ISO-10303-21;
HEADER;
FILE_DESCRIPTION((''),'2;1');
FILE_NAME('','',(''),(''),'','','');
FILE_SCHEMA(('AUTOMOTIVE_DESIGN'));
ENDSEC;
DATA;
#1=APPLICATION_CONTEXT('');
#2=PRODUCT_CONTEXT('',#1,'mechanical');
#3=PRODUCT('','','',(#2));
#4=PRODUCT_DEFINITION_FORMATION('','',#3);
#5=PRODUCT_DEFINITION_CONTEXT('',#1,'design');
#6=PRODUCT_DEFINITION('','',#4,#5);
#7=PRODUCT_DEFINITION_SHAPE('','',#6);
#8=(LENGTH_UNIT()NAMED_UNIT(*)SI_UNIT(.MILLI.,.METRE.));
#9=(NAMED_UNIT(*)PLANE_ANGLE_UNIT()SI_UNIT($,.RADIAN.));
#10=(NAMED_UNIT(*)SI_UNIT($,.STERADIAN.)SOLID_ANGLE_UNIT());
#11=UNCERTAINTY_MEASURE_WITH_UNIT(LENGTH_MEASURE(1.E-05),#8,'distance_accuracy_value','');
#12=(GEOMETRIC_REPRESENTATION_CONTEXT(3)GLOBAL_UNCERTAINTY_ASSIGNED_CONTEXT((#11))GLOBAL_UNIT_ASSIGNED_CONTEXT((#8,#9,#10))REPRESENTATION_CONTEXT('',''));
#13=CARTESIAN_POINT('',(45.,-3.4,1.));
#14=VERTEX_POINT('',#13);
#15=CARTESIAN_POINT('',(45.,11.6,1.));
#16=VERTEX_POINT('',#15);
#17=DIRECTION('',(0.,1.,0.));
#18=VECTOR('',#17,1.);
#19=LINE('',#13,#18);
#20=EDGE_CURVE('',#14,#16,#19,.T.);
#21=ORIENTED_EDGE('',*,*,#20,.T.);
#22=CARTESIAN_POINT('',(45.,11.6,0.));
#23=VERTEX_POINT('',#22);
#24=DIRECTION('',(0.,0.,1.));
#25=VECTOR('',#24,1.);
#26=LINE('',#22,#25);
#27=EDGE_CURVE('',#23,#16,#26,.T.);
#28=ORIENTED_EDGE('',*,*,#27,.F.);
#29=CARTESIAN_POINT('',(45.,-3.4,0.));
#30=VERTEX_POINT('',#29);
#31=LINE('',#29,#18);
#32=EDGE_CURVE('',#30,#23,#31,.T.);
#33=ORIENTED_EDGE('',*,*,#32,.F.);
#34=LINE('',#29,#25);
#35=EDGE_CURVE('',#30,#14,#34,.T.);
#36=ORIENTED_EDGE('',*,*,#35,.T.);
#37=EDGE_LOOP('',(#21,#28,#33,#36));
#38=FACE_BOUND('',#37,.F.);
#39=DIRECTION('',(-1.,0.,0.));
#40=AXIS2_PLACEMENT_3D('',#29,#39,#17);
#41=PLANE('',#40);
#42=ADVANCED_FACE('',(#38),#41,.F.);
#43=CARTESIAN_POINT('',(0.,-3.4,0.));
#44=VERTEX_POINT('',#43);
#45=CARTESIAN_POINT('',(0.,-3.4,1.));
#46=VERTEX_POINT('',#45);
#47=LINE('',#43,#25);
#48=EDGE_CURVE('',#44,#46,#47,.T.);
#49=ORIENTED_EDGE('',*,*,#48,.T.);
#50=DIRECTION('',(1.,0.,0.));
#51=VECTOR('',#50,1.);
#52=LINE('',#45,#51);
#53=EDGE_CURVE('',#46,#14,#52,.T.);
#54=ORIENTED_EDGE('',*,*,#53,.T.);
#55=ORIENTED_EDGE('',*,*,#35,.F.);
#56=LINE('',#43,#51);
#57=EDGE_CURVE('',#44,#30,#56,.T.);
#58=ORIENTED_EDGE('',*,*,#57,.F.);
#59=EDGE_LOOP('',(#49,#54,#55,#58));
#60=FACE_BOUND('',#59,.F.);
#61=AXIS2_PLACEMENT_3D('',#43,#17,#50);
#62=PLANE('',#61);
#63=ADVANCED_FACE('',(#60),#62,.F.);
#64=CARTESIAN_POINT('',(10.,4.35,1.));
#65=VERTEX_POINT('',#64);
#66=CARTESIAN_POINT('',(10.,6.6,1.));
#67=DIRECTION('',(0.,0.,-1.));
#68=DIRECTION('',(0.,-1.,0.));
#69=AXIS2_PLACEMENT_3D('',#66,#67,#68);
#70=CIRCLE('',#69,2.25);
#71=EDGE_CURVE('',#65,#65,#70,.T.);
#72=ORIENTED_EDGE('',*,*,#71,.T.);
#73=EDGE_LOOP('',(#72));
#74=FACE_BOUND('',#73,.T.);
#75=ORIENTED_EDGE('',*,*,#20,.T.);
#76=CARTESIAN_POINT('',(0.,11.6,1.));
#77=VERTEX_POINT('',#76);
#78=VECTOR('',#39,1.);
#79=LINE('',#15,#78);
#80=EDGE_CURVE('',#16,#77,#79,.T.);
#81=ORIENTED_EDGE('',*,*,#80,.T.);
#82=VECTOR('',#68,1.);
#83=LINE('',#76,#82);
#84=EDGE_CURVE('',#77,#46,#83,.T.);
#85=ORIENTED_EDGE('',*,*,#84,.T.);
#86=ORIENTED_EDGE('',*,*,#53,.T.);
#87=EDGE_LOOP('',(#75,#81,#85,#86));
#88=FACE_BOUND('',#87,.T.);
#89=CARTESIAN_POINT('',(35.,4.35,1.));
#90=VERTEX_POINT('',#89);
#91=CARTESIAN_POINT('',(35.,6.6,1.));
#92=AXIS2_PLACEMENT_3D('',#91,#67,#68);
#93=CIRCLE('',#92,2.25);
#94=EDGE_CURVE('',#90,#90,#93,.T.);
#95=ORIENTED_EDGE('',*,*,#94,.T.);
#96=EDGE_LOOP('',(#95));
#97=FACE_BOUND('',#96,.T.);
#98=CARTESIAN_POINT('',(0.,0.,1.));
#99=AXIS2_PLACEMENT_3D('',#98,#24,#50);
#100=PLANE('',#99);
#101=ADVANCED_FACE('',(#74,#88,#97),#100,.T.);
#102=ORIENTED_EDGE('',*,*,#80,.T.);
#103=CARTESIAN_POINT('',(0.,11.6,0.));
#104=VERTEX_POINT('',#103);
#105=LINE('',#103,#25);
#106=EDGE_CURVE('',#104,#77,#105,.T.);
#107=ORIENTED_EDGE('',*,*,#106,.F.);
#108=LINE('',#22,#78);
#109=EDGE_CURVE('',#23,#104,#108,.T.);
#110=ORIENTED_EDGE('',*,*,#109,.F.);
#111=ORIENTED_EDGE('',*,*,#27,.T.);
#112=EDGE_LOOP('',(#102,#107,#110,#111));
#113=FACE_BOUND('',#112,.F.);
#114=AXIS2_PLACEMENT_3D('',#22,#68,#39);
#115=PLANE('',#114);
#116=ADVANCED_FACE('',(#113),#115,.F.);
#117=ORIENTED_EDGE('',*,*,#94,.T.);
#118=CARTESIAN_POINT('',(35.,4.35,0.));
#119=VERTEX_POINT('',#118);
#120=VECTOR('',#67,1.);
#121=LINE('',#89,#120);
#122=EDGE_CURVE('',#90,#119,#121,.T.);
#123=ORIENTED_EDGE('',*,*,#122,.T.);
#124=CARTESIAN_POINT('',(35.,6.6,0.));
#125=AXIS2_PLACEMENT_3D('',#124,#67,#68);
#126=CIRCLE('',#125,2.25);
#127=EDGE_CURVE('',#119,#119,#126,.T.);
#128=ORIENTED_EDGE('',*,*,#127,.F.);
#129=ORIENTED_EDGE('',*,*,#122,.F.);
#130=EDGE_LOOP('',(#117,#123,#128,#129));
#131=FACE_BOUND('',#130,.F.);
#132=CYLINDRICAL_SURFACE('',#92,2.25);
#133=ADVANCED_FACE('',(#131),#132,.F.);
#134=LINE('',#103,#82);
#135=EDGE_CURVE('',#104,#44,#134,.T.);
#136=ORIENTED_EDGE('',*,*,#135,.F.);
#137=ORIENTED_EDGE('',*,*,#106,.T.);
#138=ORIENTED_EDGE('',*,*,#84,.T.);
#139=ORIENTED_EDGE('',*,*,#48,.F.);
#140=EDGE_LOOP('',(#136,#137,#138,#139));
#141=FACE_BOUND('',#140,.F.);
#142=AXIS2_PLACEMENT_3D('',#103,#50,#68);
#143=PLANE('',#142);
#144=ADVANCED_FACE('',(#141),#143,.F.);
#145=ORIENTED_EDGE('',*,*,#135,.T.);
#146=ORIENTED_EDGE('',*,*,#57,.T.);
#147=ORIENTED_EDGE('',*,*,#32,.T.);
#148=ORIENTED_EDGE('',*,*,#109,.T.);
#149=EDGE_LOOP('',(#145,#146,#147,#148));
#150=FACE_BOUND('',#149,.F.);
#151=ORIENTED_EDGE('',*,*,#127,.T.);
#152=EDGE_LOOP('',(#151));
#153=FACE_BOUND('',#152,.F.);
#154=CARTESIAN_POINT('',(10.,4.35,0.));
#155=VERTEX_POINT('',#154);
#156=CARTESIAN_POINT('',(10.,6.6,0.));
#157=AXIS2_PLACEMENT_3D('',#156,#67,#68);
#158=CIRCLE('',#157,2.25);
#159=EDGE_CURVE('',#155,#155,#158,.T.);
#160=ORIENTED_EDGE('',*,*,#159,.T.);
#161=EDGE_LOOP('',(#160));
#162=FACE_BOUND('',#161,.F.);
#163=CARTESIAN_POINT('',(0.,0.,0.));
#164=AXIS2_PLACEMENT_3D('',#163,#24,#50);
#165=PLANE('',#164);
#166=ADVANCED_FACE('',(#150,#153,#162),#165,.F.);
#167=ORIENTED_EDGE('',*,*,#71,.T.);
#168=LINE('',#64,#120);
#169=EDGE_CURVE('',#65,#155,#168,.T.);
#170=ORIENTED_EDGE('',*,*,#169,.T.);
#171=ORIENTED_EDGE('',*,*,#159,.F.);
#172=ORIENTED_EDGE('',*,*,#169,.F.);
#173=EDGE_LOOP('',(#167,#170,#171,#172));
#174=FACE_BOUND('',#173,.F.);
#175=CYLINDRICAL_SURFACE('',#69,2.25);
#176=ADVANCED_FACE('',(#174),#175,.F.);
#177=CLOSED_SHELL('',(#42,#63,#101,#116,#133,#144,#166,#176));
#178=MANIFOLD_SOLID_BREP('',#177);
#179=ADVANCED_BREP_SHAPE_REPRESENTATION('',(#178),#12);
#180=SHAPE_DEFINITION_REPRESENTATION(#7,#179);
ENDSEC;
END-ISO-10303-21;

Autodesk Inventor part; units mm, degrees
ref_plane "YZ Plane" through (0, 0, 0) normal (1, 0, 0) x (0, 1, 0)
ref_plane "XZ Plane" through (0, 0, 0) normal (0, 1, 0) x (-1, 0, 0)
ref_plane "XY Plane" through (0, 0, 0) normal (0, 0, 1) x (1, 0, 0)
sketch "Sketch1" plane through (0, 0, 0) normal (0, 0, 1) x (1, 0, 0)
  line L0 (0, -3.4) -> (45, -3.4)
  line L1 (45, -3.4) -> (45, 11.6)
  line L2 (45, 11.6) -> (0, 11.6)
  line L3 (0, 11.6) -> (0, -3.4)
  point P0 (0, 0)
  dimension "d1" = 3.4
  dimension "d2" = 45
  dimension "d3" = 45
  dimension "d4" = 15
extrude "Plate1" add sketch "Sketch1" along normal blind 1
sketch "Sketch2" plane through (0, 0, 1) normal (0, 0, 1) x (1, 0, 0)
  line L0 (45, -3.4) -> (0, -3.4) projected
  line L1 (45, 11.6) -> (45, -3.4) projected
  line L2 (0, -3.4) -> (0, 11.6) projected
  point P0 (0, 0)
  point P1 (35, 6.6)
  point P2 (10, 6.6)
  dimension "d5" = 10
  dimension "d6" = 10
  dimension "d7" = 10
hole "Hole1" at (35, 6.6, 1) at (10, 6.6, 1) direction (0, 0, -1) diameter 4.5 end through all
equation "\"d13\" = Thickness"
equation "\"d0\" = Thickness"
equation "\"BendRadius\" = Thickness"
equation "\"BendReliefWidth\" = Thickness"
equation "\"BendReliefDepth\" = 0.5 * Thickness"
equation "\"CornerReliefSize\" = 4 * Thickness"
equation "\"MinimumRemnant\" = 2 * Thickness"
equation "\"TransitionRadius\" = BendRadius"
equation "\"JacobiRadiusSize\" = BendRadius"
equation "\"GapSize\" = Thickness"
equation "\"Thickness\" = 1"
properties part number "Plate B connector box-iv stand" material "Steel, Carbon"
